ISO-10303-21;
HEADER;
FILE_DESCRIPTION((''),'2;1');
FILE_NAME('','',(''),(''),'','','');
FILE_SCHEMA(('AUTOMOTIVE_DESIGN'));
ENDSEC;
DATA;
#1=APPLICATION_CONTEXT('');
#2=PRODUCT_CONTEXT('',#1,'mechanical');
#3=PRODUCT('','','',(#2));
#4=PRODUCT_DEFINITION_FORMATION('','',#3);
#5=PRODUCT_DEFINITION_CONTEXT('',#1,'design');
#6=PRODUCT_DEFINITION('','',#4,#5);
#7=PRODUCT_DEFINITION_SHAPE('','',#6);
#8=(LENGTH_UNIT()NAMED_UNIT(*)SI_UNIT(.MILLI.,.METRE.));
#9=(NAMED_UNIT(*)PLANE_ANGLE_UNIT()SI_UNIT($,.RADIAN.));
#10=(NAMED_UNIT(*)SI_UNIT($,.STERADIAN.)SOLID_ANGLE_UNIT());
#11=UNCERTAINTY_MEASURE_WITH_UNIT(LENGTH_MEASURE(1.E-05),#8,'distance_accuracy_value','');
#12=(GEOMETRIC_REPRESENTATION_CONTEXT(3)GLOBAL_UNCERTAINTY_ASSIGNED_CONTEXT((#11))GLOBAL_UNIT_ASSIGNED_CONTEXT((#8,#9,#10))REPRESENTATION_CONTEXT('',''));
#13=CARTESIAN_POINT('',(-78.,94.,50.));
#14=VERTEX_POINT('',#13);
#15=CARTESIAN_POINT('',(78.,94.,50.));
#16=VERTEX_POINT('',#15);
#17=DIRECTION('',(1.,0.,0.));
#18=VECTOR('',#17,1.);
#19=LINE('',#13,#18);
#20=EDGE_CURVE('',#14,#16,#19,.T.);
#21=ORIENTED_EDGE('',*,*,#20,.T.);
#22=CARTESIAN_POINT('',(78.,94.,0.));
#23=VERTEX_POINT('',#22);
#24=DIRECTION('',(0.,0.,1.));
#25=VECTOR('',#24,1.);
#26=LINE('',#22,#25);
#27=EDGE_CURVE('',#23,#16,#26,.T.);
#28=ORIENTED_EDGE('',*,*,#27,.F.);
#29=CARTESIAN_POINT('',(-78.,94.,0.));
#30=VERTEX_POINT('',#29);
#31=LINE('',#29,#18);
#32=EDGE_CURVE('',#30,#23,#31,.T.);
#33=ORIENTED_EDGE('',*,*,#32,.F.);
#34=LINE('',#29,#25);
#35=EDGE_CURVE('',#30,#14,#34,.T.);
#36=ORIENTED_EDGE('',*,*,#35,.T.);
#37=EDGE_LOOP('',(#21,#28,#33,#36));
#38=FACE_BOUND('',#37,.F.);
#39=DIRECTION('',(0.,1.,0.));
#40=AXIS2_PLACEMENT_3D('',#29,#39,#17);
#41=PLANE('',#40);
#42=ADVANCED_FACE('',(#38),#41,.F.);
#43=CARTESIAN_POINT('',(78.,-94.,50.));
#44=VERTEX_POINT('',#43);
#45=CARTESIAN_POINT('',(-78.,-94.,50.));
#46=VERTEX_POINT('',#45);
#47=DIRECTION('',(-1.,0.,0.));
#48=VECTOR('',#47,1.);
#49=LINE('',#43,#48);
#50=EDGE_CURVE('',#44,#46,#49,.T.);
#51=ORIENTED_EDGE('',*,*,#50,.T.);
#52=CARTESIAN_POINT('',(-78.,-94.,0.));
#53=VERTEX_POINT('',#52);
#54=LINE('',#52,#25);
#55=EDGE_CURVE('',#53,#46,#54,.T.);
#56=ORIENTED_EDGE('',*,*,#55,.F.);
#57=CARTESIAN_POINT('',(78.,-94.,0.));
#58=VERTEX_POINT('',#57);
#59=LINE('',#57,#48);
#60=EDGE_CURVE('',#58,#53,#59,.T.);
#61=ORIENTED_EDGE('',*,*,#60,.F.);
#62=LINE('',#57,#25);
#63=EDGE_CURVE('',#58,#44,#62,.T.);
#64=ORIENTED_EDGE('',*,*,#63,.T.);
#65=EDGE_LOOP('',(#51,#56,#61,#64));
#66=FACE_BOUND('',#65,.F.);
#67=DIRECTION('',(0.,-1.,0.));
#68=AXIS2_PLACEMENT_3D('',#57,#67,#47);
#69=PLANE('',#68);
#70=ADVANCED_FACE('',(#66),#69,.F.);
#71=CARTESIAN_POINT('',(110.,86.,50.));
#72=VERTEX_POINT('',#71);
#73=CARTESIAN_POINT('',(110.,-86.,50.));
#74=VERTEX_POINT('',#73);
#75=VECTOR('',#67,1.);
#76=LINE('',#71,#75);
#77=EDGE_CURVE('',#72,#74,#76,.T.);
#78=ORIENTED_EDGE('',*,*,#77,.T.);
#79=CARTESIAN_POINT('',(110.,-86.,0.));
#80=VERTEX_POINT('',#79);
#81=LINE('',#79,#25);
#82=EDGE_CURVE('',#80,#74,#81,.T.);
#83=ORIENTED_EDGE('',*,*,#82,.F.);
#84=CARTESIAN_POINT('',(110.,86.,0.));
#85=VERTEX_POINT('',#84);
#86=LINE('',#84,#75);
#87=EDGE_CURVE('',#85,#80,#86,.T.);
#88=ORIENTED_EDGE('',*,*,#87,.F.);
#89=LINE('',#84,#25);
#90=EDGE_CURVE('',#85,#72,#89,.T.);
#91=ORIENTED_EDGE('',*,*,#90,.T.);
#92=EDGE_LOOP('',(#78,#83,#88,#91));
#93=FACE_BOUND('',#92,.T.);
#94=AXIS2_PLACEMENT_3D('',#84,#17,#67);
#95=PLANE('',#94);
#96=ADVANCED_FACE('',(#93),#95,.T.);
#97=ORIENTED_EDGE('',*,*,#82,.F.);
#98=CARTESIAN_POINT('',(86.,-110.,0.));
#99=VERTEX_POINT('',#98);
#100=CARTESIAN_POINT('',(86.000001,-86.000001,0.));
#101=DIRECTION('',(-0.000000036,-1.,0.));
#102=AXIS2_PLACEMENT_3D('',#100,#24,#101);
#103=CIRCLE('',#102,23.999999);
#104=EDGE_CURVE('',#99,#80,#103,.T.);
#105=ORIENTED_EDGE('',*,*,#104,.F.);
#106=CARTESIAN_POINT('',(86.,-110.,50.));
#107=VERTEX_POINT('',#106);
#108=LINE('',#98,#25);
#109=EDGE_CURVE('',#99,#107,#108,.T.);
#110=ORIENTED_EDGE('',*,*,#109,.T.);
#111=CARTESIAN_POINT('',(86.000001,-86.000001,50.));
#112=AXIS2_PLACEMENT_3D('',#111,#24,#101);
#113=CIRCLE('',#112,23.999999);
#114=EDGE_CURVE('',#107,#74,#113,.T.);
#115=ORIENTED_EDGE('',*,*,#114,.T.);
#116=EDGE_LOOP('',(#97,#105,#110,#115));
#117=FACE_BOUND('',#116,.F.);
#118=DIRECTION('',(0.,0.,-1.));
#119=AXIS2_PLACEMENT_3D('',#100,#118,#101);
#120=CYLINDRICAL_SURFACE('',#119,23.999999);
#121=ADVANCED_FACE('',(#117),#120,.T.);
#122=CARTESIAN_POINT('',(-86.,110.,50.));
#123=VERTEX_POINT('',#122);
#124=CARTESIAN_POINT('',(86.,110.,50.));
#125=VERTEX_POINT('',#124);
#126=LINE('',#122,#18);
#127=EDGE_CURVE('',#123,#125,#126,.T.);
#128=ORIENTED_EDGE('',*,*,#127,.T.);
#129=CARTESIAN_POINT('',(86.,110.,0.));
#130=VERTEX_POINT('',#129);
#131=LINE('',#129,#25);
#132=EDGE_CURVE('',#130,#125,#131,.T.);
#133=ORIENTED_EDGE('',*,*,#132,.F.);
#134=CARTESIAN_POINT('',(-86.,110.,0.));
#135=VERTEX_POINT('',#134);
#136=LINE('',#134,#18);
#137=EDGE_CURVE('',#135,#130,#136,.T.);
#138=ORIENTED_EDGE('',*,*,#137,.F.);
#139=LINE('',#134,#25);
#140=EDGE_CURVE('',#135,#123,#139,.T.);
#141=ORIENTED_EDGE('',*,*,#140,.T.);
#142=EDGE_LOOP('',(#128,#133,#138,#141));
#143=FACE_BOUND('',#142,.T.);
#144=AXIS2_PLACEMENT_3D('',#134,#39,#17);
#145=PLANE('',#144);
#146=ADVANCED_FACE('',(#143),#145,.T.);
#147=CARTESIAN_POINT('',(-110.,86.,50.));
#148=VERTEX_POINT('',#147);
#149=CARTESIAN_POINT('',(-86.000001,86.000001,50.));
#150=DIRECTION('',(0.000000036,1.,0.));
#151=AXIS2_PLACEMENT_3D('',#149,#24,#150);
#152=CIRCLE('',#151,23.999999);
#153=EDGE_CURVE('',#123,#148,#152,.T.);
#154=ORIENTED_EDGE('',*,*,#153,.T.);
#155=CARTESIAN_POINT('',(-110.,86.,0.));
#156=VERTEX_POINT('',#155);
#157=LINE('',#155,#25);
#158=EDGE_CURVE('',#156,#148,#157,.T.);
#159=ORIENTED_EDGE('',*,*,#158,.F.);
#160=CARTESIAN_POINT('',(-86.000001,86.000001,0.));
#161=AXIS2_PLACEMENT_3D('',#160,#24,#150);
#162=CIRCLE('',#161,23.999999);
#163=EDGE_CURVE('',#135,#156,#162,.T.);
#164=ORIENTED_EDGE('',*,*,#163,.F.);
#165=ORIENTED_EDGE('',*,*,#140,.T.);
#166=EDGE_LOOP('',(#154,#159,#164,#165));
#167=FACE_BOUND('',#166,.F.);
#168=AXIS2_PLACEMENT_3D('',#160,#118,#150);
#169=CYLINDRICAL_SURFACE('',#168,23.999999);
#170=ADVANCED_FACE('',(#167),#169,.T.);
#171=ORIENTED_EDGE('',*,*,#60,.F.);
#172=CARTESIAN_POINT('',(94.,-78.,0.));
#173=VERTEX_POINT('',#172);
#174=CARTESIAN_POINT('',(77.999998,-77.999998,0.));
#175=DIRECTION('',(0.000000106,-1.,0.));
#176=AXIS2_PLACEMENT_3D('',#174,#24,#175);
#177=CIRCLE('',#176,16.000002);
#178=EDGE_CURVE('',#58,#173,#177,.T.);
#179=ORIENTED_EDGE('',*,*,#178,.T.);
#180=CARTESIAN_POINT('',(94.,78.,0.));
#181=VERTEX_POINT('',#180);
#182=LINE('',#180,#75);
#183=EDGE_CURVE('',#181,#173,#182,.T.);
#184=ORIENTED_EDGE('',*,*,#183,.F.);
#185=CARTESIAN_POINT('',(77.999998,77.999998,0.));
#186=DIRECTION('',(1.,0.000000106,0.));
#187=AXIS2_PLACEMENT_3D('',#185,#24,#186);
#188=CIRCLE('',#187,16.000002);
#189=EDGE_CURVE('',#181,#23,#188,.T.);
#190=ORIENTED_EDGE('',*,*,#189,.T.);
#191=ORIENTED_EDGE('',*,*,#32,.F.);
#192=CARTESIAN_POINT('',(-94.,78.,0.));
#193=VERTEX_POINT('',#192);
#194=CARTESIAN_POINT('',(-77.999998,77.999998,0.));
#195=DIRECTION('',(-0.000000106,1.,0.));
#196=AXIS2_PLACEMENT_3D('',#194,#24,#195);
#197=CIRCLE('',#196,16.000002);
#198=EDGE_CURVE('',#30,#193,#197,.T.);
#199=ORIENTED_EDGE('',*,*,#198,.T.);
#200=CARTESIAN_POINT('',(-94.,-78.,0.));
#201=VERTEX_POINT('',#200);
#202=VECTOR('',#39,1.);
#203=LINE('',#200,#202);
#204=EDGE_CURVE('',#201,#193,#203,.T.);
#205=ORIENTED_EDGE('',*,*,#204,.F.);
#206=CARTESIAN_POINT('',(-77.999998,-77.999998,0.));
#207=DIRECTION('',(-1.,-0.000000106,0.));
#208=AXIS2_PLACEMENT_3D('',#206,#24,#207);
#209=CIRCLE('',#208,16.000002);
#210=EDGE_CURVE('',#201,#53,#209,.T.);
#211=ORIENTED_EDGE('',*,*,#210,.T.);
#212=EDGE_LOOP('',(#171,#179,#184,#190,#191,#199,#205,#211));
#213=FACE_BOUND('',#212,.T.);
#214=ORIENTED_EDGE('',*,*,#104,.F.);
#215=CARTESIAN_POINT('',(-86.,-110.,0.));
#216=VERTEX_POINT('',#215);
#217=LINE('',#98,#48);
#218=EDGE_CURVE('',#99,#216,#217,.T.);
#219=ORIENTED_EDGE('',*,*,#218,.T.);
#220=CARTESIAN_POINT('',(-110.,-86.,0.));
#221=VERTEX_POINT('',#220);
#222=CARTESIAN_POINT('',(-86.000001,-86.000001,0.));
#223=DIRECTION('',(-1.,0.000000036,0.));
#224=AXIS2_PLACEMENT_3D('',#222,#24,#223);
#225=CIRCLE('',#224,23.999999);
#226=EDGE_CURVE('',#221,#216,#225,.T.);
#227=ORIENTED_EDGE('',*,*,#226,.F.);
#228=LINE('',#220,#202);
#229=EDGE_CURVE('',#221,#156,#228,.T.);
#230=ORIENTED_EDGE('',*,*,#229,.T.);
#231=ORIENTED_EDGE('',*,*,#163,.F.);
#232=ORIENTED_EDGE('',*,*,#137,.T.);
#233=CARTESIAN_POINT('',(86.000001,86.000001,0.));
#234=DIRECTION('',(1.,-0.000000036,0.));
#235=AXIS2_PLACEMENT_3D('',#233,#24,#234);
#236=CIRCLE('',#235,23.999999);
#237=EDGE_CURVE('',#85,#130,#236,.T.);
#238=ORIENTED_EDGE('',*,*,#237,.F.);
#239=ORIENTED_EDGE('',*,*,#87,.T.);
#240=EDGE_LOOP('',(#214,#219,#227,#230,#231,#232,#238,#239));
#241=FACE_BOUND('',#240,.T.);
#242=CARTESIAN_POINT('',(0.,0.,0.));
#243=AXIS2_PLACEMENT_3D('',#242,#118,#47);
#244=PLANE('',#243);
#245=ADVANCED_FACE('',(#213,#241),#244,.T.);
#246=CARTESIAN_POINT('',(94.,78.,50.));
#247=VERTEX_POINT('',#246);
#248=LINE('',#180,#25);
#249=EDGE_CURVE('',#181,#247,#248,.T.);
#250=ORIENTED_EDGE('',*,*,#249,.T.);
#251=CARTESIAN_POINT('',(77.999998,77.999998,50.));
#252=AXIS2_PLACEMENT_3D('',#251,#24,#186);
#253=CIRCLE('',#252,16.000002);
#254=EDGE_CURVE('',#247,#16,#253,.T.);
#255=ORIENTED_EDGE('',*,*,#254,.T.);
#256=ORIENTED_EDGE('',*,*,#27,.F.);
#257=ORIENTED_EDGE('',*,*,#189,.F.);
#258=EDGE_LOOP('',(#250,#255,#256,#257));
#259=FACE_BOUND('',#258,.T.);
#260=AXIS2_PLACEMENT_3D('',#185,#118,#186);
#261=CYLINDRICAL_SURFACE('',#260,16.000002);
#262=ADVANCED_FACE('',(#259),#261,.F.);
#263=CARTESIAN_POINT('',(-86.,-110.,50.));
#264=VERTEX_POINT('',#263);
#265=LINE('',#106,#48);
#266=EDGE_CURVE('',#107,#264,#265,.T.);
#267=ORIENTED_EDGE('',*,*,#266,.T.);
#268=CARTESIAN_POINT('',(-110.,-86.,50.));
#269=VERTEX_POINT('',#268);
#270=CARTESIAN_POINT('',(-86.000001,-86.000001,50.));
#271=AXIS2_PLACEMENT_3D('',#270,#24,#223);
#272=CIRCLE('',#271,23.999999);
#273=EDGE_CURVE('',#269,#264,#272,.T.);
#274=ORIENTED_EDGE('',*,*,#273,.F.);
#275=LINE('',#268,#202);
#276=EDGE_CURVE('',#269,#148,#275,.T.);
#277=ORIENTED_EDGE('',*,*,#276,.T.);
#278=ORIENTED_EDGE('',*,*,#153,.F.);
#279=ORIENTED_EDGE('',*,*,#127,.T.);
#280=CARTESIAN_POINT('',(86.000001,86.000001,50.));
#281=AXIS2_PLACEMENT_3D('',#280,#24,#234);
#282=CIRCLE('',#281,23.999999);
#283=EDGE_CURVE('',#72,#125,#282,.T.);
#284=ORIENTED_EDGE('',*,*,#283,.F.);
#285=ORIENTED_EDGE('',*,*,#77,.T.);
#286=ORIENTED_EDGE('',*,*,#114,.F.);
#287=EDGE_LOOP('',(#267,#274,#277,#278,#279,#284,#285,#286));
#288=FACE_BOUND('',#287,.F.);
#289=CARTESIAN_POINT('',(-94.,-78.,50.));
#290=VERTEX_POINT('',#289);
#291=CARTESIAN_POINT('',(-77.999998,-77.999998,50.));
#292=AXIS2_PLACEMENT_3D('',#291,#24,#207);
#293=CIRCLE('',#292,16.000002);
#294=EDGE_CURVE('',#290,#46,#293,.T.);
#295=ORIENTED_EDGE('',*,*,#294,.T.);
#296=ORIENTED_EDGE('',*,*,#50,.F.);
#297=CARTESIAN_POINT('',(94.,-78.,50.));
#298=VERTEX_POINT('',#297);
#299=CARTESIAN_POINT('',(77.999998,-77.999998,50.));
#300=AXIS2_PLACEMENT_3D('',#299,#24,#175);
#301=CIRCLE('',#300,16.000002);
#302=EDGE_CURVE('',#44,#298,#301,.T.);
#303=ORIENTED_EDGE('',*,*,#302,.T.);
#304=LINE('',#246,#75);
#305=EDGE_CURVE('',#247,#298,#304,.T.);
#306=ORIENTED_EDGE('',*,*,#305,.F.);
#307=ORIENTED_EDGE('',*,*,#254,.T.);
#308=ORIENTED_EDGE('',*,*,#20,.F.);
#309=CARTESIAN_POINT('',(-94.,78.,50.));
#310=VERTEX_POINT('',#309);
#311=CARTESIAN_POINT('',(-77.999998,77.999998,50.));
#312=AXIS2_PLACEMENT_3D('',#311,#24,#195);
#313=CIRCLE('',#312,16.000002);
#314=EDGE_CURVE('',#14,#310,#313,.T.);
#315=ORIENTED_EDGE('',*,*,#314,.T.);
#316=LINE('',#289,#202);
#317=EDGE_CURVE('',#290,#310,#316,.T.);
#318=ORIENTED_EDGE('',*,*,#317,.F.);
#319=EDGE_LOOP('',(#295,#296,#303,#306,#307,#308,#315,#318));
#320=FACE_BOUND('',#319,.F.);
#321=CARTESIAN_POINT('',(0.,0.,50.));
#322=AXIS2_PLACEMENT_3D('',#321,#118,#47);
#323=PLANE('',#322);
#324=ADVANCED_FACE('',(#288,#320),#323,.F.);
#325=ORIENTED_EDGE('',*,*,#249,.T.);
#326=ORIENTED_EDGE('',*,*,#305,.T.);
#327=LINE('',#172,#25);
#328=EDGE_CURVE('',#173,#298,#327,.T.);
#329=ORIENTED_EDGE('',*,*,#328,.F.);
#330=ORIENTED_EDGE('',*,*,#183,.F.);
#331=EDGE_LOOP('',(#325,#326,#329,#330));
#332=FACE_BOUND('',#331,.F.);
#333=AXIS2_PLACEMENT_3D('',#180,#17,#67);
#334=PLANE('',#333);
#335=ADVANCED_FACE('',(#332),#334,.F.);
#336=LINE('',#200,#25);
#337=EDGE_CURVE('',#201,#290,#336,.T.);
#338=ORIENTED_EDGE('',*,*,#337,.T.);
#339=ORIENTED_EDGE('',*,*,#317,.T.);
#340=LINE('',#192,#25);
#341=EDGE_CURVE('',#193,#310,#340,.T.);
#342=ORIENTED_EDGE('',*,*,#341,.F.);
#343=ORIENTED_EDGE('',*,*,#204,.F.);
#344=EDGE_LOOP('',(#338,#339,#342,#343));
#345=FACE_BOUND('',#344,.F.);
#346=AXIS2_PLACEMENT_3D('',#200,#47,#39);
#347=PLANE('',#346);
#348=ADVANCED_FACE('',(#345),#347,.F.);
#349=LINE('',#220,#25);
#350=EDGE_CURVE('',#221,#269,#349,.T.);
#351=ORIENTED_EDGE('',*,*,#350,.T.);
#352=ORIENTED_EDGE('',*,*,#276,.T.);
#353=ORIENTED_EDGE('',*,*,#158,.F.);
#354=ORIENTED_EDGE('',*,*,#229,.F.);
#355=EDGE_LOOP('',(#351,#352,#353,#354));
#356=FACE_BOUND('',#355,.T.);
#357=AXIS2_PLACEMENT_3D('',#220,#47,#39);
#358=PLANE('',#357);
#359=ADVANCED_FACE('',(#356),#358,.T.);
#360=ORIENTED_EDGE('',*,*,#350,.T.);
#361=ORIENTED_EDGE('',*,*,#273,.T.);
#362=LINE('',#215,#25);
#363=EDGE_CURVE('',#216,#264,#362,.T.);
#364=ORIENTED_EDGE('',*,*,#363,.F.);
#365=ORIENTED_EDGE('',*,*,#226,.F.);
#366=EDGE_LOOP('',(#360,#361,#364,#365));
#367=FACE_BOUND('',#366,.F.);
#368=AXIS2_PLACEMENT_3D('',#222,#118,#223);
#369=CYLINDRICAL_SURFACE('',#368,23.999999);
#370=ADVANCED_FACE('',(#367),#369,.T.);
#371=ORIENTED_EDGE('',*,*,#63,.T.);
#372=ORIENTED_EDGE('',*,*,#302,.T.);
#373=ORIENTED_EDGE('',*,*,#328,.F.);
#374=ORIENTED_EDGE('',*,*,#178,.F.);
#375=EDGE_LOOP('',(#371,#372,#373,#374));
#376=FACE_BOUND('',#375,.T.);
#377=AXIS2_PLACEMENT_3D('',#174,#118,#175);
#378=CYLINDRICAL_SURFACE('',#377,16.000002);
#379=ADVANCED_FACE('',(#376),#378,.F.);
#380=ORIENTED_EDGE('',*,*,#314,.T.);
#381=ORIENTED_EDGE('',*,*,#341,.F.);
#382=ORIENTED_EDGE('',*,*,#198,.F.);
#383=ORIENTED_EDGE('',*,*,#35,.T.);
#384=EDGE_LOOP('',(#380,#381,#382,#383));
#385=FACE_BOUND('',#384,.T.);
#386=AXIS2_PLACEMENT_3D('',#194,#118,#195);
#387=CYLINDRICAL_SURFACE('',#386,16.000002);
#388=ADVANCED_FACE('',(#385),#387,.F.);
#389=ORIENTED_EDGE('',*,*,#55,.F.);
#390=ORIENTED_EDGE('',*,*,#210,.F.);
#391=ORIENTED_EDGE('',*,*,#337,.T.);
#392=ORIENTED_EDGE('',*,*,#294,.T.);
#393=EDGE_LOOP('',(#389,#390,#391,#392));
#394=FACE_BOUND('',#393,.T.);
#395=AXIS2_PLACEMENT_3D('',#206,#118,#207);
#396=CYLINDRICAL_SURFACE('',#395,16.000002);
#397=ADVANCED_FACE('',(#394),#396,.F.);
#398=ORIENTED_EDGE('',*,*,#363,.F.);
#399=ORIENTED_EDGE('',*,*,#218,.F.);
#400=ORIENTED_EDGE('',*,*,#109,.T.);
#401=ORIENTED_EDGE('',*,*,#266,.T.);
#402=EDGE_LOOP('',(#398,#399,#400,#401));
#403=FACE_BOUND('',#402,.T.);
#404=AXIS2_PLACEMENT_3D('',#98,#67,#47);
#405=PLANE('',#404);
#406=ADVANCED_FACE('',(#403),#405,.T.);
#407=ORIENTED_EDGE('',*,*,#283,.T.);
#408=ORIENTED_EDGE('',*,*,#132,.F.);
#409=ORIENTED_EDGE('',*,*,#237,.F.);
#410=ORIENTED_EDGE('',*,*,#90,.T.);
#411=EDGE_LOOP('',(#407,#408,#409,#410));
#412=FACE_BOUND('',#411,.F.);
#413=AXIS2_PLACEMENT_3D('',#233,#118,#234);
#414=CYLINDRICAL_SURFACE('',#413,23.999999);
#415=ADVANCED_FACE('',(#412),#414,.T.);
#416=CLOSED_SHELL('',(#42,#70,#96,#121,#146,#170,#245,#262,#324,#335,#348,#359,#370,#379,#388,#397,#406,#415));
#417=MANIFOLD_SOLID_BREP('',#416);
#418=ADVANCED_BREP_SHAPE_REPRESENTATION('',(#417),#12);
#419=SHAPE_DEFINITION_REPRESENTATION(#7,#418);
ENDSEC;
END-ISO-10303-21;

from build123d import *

# Parameters (mm, degrees)
EXTRUDE_DEPTH = 50


with BuildPart() as part:
    # Sketch → Extrude (new body)
    with BuildSketch(Plane.XY):
        with BuildLine():
            Line((-86, 110), (86, 110))
            ThreePointArc((110, 86), (102.970563, 102.970563), (86, 110))
            Line((110, 86), (110, -86))
            ThreePointArc((86, -110), (102.970563, -102.970563), (110, -86))
            Line((86, -110), (-86, -110))
            ThreePointArc((-110, -86), (-102.970563, -102.970563), (-86, -110))
            Line((-110, -86), (-110, 86))
            ThreePointArc((-86, 110), (-102.970563, 102.970563), (-110, 86))
        make_face()
        with BuildLine():
            Line((-78, 94), (78, 94))
            ThreePointArc((94, 78), (89.313708, 89.313708), (78, 94))
            Line((94, 78), (94, -78))
            ThreePointArc((78, -94), (89.313708, -89.313708), (94, -78))
            Line((78, -94), (-78, -94))
            ThreePointArc((-94, -78), (-89.313708, -89.313708), (-78, -94))
            Line((-94, -78), (-94, 78))
            ThreePointArc((-78, 94), (-89.313708, 89.313708), (-94, 78))
        make_face(mode=Mode.SUBTRACT)
    extrude(amount=EXTRUDE_DEPTH)


solid = part.part
